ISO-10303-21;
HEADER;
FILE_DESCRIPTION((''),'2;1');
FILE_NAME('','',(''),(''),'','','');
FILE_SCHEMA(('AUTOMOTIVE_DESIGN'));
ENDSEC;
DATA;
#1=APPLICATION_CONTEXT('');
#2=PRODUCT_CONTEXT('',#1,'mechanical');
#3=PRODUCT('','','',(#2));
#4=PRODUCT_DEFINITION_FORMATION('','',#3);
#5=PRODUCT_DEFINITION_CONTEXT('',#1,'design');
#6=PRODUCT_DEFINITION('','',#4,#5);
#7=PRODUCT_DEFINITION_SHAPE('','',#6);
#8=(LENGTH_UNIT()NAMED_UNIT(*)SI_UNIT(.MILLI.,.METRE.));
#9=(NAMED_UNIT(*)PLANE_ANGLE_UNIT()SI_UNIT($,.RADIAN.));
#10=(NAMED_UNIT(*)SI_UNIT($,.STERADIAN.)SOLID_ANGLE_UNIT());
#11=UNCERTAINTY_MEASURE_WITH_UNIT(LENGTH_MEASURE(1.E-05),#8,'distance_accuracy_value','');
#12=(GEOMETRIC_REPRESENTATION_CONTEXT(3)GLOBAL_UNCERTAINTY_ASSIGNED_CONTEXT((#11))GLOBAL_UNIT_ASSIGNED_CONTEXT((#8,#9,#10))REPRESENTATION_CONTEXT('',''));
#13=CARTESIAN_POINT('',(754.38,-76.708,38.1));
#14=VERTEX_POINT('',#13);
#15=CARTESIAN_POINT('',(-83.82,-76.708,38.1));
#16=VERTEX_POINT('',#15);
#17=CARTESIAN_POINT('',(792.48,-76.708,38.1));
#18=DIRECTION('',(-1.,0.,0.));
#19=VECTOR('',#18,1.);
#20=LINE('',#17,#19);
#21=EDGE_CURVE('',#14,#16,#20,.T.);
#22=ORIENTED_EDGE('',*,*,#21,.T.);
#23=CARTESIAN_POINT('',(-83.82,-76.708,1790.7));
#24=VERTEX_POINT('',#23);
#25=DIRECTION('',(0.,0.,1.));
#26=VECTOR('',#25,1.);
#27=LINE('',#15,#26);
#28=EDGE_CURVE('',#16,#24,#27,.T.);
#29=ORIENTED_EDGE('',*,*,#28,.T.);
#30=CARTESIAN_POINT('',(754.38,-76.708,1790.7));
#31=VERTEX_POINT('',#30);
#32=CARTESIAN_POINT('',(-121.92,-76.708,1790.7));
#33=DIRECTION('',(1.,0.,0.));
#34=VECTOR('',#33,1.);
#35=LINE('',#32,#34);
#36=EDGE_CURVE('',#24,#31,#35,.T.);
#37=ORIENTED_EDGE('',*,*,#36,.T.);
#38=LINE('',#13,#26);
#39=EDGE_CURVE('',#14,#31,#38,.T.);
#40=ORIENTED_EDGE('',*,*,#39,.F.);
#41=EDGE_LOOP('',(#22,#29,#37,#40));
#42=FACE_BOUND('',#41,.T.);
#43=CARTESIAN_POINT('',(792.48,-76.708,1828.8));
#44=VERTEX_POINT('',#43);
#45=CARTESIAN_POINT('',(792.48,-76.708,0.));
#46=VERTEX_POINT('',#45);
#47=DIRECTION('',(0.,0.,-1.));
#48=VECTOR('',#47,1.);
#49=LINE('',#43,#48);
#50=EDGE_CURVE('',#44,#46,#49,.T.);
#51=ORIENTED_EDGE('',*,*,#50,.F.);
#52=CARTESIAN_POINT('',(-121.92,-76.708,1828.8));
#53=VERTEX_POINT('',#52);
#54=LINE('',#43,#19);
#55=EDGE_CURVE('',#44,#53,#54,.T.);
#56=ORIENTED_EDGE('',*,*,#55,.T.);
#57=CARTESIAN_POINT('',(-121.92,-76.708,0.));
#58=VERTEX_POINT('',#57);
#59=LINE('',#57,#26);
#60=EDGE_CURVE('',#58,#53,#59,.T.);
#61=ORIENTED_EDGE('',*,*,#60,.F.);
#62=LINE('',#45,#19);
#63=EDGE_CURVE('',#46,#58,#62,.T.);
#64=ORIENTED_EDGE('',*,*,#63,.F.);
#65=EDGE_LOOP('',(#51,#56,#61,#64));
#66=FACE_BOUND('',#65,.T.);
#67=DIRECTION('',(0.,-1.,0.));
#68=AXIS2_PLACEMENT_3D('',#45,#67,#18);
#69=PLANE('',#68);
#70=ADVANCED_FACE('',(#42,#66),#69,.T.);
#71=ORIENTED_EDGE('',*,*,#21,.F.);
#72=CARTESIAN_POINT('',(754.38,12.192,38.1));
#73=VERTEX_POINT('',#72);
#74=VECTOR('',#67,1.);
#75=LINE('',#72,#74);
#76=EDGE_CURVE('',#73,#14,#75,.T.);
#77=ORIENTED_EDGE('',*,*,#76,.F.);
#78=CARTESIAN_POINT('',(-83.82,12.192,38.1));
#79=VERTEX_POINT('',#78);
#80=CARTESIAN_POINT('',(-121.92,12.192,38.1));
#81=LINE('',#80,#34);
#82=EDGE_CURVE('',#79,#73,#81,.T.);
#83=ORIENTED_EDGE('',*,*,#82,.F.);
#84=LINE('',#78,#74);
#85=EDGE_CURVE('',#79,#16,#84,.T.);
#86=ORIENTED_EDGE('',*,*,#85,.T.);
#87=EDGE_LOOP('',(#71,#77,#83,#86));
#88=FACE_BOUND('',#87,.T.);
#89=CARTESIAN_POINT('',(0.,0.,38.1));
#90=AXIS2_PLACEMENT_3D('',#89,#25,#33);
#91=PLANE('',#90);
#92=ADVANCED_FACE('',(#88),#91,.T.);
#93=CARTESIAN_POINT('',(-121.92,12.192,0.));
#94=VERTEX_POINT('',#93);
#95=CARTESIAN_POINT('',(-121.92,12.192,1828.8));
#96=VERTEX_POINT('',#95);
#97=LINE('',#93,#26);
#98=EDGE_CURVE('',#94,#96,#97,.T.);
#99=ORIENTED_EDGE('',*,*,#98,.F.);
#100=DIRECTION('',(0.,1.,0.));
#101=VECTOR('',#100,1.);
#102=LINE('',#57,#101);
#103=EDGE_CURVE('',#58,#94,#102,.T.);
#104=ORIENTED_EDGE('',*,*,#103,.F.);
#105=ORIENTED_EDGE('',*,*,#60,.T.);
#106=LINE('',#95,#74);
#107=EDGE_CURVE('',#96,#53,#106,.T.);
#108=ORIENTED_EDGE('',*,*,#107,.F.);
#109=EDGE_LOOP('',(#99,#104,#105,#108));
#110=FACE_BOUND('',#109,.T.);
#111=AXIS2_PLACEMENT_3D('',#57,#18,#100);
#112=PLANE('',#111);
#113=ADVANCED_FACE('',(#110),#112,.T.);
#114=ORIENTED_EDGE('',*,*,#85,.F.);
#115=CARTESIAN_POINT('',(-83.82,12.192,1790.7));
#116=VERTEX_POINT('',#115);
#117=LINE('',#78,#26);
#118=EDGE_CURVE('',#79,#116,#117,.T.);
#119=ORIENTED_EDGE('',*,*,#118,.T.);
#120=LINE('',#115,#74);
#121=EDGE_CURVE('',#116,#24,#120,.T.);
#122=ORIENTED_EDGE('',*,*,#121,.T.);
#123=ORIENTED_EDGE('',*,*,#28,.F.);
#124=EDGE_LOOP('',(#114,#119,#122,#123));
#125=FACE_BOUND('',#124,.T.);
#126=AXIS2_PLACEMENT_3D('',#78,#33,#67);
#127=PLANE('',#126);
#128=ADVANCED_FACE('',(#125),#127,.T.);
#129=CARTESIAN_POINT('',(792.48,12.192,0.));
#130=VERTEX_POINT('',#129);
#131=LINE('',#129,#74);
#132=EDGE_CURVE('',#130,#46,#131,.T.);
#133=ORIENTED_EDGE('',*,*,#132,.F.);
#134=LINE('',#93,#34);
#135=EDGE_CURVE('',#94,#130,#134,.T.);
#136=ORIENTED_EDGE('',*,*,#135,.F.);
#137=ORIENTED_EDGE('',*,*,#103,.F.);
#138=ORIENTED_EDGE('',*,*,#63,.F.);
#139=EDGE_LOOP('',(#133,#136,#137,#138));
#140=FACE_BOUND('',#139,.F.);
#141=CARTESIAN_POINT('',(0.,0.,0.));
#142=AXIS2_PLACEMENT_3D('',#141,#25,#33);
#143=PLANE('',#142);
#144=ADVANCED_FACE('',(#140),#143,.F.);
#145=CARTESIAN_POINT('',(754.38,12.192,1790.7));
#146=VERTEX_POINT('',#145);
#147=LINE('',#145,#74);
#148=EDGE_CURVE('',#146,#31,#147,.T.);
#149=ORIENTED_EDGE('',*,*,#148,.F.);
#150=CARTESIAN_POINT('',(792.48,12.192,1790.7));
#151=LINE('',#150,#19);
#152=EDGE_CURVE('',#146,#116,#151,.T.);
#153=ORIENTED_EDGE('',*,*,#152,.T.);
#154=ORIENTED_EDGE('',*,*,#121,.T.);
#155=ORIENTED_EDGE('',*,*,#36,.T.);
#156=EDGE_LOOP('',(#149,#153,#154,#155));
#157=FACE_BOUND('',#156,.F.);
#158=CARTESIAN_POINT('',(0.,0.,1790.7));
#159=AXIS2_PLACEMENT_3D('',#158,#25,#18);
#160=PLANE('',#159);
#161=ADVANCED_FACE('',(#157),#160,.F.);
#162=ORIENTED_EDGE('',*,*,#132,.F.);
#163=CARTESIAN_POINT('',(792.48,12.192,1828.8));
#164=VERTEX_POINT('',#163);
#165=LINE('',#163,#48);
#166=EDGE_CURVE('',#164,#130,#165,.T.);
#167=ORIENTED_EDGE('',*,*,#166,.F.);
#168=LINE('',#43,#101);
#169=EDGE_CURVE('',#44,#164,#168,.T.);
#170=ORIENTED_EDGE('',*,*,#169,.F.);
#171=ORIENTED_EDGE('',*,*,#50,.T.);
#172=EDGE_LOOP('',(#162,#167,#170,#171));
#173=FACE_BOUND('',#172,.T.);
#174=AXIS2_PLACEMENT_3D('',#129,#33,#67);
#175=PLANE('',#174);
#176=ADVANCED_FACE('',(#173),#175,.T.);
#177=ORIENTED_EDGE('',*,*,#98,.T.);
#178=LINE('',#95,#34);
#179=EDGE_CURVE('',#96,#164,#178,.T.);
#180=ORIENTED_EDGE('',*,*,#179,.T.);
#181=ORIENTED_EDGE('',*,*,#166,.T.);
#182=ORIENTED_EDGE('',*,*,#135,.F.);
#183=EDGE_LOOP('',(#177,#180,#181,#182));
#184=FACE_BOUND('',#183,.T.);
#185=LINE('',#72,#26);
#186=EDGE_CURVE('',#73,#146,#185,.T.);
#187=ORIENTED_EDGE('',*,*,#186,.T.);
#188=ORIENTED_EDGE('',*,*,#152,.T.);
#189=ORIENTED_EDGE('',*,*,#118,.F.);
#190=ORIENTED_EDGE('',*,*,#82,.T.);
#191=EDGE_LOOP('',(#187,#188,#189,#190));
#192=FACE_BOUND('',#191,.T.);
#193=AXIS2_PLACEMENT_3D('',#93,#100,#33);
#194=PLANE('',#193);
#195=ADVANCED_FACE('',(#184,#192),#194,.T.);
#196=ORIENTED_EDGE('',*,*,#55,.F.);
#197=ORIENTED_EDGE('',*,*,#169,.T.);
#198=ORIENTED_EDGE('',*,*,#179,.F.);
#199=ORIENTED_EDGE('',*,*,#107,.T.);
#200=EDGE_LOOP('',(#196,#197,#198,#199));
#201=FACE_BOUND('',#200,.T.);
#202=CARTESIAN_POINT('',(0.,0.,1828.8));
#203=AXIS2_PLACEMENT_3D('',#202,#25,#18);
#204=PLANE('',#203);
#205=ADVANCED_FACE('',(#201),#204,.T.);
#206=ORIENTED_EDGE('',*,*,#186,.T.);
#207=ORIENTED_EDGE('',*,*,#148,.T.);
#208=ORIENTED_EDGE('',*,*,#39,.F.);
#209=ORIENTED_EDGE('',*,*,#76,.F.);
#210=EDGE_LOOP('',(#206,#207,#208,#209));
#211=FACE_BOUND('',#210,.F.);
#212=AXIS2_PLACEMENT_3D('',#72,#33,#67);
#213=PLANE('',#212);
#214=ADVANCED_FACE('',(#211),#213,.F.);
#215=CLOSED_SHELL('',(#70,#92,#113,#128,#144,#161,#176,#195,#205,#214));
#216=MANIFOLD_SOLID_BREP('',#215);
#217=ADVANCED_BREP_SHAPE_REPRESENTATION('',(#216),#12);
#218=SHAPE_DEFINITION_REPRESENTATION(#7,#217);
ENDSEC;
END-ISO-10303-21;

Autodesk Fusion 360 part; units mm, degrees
sketch "Sketch1" plane through (0, 0, 0) normal (0, 0, 1) x (1, 0, 0)
  line L0 (-121.92, 12.192) -> (792.48, 12.192)
  line L1 (792.48, 12.192) -> (792.48, -76.708)
  line L2 (792.48, -76.708) -> (-121.92, -76.708)
  line L3 (-121.92, -76.708) -> (-121.92, 12.192)
  dimension "d1" = 914.4
  dimension "d6" = 88.9
extrude "Extrude1" add sketch "Sketch1" along normal blind 38.1
sketch "Sketch2" plane through (0, 0, 38.1) normal (0, 0, 1) x (-1, 0, 0)
  line L0 (121.92, 76.708) -> (-792.48, 76.708)
  line L1 (-792.48, 76.708) -> (-792.48, -12.192)
  line L2 (-792.48, -12.192) -> (121.92, -12.192)
  line L3 (121.92, -12.192) -> (121.92, 76.708)
  line L4 (121.92, -12.192) -> (83.82, -12.192)
  line L5 (83.82, -12.192) -> (83.82, 76.708)
  line L6 (83.82, 76.708) -> (121.92, 76.708)
  line L7 (121.92, 76.708) -> (121.92, -12.192)
  line L8 (-792.48, -12.192) -> (-754.38, -12.192)
  line L9 (-754.38, -12.192) -> (-754.38, 76.708)
  line L10 (-754.38, 76.708) -> (-792.48, 76.708)
  line L11 (-792.48, 76.708) -> (-792.48, -12.192)
  dimension "d9" = 38.1
  dimension "d10" = 38.1
extrude "Extrude2" add sketch "Sketch2" along normal blind 1752.6 contours L0 L2 L3 L4 L5 L6 L7 | L0 L1 L2 L8 L9 L10 L11
sketch "Sketch3" plane through (0, 0, 1790.7) normal (0, 0, 1) x (-1, 0, 0)
  line L0 (121.92, 76.708) -> (83.82, 76.708)
  line L1 (83.82, 76.708) -> (83.82, -12.192)
  line L2 (83.82, -12.192) -> (121.92, -12.192)
  line L3 (121.92, -12.192) -> (121.92, 76.708)
  line L4 (121.92, 76.708) -> (-792.48, 76.708)
  line L5 (-792.48, 76.708) -> (-792.48, -12.192)
  line L6 (-792.48, -12.192) -> (121.92, -12.192)
  line L7 (121.92, -12.192) -> (121.92, 76.708)
  dimension "d13" = 88.9
  dimension "d14" = 914.4
extrude "Extrude3" add sketch "Sketch3" along normal blind 38.1
sketch "Sketch4" plane through (0, -76.708, 0) normal (0, -1, 0) x (1, 0, 0)
  line L0 (754.38, 1790.7) -> (754.38, 38.1)
  line L1 (754.38, 38.1) -> (-83.82, 38.1)
  line L2 (-83.82, 38.1) -> (-83.82, 1790.7)
  line L3 (-83.82, 1790.7) -> (754.38, 1790.7)
  line L4 (792.48, 0) -> (792.48, 1828.8)
  line L5 (792.48, 1828.8) -> (-121.92, 1828.8)
  line L6 (-121.92, 1828.8) -> (-121.92, 0)
  line L7 (-121.92, 0) -> (792.48, 0)
  line L8 (-121.92, 1828.8) -> (792.48, 1828.8)
  line L9 (792.48, 1828.8) -> (792.48, 0)
  line L10 (792.48, 0) -> (-121.92, 0)
  line L11 (-121.92, 0) -> (-121.92, 1828.8)
  dimension "d17" = 914.4
  dimension "d18" = 1828.8
equation "d1 = BottomLength / 2"
equation "BottomLength = 6 ft"
equation "TopLength = 6 ft"
equation "RightLength = 6 ft"
equation "LeftLength = 6 ft"
equation "d11 = RightLength - ( ( ( 2 * 1.5 ) / 12 ) * 1 ft )"
equation "d14 = TopLength / 2"
